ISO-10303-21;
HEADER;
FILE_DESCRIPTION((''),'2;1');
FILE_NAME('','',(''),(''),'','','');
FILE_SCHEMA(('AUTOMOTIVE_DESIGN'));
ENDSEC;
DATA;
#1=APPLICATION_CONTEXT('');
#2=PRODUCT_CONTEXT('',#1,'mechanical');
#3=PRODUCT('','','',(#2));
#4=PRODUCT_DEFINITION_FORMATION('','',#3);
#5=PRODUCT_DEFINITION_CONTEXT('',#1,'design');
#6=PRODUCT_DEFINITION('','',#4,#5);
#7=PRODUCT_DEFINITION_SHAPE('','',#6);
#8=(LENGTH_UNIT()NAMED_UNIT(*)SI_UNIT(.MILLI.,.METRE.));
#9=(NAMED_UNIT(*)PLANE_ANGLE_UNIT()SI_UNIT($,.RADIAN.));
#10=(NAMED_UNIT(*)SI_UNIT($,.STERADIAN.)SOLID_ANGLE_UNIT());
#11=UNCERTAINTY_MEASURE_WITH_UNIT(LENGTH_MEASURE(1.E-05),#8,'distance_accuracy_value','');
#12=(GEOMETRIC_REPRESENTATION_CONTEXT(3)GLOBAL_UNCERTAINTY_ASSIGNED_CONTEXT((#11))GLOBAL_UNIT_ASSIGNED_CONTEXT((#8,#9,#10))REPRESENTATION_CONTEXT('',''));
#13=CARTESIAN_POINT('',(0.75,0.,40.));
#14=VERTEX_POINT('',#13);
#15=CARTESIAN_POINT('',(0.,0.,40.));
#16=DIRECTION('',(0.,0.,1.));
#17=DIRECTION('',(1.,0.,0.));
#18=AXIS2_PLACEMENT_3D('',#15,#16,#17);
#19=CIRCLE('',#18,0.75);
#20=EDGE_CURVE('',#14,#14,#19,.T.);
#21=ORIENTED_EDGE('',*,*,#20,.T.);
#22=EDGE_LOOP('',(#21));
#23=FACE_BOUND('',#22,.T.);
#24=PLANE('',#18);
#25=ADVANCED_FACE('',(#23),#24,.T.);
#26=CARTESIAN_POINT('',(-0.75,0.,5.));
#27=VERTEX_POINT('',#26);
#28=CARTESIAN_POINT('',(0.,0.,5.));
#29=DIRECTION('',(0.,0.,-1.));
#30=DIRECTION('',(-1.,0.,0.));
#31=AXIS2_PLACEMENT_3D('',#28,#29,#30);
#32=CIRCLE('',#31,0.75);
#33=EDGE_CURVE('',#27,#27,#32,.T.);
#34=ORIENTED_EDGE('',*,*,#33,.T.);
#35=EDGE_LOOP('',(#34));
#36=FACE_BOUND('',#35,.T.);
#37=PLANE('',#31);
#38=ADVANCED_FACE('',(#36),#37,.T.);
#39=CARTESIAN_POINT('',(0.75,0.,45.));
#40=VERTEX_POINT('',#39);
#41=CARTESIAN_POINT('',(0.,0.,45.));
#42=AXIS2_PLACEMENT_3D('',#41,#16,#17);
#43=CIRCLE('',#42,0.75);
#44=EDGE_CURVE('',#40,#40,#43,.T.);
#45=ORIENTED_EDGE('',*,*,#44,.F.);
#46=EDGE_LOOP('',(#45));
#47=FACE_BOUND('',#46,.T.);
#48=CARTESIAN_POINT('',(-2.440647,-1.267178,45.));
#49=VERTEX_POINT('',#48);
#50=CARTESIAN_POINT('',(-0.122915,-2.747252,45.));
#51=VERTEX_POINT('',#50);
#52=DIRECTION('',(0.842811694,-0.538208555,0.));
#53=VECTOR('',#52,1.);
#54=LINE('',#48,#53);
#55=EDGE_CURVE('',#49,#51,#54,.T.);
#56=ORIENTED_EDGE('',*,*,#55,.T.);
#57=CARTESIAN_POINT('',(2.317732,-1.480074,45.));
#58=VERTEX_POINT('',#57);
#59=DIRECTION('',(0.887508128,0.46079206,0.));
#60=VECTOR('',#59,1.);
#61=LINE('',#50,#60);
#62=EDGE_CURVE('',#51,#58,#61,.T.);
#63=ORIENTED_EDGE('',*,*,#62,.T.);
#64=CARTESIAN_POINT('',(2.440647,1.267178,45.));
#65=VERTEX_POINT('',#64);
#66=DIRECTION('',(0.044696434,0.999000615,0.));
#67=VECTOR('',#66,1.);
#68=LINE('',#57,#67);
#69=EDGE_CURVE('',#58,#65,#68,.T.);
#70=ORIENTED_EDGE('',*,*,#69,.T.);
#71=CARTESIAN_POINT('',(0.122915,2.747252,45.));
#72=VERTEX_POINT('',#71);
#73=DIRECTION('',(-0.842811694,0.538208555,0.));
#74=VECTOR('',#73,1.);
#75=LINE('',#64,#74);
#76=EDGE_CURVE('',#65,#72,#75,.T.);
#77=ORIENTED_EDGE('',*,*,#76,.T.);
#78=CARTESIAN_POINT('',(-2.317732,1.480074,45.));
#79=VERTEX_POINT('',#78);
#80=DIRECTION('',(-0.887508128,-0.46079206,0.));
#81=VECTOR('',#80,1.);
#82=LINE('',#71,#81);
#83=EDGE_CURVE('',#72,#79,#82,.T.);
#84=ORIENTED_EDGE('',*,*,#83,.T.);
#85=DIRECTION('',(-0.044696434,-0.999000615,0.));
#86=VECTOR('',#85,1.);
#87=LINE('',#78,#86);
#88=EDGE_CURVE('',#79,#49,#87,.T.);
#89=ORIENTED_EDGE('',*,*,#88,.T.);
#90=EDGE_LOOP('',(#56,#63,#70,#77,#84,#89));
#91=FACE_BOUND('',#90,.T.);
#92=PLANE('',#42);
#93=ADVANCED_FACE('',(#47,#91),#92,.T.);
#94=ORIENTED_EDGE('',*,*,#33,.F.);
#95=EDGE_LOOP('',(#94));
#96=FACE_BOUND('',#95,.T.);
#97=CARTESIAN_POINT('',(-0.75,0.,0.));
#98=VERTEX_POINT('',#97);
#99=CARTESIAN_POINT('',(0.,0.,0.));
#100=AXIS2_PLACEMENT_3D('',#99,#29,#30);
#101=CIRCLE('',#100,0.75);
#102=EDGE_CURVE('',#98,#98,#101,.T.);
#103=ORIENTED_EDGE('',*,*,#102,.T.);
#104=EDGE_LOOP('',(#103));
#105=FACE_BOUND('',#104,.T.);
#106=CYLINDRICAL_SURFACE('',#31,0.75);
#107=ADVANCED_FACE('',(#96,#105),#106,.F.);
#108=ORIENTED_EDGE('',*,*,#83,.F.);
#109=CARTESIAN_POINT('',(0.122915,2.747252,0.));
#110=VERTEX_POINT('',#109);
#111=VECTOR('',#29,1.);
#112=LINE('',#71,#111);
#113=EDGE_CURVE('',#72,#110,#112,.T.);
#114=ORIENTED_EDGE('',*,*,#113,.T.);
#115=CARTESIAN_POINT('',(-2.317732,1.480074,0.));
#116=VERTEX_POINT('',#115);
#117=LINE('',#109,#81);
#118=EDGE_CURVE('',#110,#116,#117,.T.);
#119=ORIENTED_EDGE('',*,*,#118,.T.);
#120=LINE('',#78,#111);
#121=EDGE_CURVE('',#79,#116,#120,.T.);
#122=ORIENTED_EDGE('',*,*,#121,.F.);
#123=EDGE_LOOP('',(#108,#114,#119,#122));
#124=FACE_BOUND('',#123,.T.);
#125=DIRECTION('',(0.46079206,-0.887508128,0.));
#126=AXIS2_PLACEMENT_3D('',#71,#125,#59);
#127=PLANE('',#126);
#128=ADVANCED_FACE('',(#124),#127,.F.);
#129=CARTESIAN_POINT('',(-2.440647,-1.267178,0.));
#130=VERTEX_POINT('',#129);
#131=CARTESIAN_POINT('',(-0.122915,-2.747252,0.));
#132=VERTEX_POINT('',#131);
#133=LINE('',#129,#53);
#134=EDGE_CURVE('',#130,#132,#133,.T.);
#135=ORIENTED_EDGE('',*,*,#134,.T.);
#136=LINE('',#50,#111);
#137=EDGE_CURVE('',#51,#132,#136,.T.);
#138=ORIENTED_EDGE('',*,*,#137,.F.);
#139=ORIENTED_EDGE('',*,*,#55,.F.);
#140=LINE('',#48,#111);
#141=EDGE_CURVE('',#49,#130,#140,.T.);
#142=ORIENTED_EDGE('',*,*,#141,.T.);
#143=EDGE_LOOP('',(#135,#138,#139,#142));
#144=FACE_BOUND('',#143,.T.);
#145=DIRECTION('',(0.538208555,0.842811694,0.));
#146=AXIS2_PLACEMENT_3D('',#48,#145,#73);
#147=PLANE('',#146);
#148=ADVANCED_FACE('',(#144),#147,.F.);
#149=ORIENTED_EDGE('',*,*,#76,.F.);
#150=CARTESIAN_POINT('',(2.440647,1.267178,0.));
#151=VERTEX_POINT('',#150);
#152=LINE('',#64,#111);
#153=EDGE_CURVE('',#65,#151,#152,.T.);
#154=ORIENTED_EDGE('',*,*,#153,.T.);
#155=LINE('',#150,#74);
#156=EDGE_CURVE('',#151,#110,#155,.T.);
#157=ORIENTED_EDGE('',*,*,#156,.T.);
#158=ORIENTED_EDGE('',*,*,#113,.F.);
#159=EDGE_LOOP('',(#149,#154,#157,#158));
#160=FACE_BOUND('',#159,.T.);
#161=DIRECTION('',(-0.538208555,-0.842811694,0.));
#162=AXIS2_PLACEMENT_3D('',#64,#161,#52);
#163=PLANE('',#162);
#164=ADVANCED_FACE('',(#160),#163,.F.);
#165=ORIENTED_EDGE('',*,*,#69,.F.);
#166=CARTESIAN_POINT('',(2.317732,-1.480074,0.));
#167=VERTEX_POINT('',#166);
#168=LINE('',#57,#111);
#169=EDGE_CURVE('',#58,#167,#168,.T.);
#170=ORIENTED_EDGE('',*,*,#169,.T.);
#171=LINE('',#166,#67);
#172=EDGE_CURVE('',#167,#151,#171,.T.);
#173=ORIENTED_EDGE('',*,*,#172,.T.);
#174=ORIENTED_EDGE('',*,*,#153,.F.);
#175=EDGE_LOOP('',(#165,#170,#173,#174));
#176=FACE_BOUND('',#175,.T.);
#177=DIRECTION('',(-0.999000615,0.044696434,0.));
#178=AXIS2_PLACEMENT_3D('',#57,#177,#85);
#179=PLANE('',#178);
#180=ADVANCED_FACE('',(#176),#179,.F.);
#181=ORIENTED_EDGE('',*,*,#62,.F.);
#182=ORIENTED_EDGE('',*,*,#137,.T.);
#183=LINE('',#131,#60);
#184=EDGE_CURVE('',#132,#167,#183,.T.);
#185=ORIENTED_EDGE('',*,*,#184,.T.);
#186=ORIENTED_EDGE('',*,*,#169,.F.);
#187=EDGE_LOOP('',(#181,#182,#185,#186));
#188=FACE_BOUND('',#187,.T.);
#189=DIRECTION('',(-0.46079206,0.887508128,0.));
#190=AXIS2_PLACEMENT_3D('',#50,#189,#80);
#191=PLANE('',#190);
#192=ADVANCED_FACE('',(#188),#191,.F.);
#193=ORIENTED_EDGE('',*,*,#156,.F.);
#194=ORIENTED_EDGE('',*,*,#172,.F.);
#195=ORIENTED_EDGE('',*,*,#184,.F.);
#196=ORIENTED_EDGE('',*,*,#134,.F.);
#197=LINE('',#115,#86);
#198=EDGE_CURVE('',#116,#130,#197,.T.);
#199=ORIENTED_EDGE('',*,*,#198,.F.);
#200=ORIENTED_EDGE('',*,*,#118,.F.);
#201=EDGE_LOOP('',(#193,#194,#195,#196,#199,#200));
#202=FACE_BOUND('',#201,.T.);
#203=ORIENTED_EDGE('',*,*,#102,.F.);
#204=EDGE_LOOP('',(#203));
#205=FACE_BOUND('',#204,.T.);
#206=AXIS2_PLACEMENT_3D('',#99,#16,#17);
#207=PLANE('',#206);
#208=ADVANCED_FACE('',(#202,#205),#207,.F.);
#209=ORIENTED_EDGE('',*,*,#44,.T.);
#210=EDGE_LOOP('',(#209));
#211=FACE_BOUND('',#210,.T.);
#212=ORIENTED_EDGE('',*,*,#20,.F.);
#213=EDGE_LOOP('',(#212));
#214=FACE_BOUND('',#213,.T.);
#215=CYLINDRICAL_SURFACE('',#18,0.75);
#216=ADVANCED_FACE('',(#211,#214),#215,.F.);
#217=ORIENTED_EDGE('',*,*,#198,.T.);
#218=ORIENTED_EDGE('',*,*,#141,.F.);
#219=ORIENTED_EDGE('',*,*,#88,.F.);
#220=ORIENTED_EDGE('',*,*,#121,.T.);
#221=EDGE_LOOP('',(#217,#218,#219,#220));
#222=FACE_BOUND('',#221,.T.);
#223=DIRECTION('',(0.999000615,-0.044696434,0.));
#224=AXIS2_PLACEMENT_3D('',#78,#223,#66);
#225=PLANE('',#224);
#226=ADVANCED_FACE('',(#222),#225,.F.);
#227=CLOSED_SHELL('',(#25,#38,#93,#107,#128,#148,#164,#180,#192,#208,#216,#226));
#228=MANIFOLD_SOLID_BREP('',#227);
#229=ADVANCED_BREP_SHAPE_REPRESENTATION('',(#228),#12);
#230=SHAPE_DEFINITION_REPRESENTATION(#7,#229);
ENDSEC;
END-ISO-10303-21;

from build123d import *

# Parameters (mm, degrees)
BOSS_EXTRUDE1_DEPTH = 45
SKETCH2_R           = 0.75
CUT_EXTRUDE1_DEPTH  = 5
CUT_EXTRUDE2_START  = -5
SKETCH3_R           = 0.75
CUT_EXTRUDE2_DEPTH  = 5


with BuildPart() as part:
    # Sketch1 → Boss-Extrude1 (new body)
    with BuildSketch(Plane.XY):
        Polygon((2.317732159, -1.480073525), (2.440647352, 1.267178166), (0.122915193, 2.747251691), (-2.317732159, 1.480073525), (-2.440647352, -1.267178166), (-0.122915193, -2.747251691), align=None)
    extrude(amount=BOSS_EXTRUDE1_DEPTH)

    # Sketch2 → Cut-Extrude1 (cut)
    with BuildSketch(Plane.XY.offset(45)):
        Circle(SKETCH2_R)
    extrude(amount=-CUT_EXTRUDE1_DEPTH, mode=Mode.SUBTRACT)

    # Sketch3 → Cut-Extrude2 (cut)
    with BuildSketch(Plane(origin=(0, 0, 0), x_dir=(-1, 0, 0), z_dir=(0, 0, -1)).offset(CUT_EXTRUDE2_START)):
        with Locations(Location((0, 0, 0), (0, 0, 180))):
            Circle(SKETCH3_R)
    extrude(amount=CUT_EXTRUDE2_DEPTH, mode=Mode.SUBTRACT)


solid = part.part
